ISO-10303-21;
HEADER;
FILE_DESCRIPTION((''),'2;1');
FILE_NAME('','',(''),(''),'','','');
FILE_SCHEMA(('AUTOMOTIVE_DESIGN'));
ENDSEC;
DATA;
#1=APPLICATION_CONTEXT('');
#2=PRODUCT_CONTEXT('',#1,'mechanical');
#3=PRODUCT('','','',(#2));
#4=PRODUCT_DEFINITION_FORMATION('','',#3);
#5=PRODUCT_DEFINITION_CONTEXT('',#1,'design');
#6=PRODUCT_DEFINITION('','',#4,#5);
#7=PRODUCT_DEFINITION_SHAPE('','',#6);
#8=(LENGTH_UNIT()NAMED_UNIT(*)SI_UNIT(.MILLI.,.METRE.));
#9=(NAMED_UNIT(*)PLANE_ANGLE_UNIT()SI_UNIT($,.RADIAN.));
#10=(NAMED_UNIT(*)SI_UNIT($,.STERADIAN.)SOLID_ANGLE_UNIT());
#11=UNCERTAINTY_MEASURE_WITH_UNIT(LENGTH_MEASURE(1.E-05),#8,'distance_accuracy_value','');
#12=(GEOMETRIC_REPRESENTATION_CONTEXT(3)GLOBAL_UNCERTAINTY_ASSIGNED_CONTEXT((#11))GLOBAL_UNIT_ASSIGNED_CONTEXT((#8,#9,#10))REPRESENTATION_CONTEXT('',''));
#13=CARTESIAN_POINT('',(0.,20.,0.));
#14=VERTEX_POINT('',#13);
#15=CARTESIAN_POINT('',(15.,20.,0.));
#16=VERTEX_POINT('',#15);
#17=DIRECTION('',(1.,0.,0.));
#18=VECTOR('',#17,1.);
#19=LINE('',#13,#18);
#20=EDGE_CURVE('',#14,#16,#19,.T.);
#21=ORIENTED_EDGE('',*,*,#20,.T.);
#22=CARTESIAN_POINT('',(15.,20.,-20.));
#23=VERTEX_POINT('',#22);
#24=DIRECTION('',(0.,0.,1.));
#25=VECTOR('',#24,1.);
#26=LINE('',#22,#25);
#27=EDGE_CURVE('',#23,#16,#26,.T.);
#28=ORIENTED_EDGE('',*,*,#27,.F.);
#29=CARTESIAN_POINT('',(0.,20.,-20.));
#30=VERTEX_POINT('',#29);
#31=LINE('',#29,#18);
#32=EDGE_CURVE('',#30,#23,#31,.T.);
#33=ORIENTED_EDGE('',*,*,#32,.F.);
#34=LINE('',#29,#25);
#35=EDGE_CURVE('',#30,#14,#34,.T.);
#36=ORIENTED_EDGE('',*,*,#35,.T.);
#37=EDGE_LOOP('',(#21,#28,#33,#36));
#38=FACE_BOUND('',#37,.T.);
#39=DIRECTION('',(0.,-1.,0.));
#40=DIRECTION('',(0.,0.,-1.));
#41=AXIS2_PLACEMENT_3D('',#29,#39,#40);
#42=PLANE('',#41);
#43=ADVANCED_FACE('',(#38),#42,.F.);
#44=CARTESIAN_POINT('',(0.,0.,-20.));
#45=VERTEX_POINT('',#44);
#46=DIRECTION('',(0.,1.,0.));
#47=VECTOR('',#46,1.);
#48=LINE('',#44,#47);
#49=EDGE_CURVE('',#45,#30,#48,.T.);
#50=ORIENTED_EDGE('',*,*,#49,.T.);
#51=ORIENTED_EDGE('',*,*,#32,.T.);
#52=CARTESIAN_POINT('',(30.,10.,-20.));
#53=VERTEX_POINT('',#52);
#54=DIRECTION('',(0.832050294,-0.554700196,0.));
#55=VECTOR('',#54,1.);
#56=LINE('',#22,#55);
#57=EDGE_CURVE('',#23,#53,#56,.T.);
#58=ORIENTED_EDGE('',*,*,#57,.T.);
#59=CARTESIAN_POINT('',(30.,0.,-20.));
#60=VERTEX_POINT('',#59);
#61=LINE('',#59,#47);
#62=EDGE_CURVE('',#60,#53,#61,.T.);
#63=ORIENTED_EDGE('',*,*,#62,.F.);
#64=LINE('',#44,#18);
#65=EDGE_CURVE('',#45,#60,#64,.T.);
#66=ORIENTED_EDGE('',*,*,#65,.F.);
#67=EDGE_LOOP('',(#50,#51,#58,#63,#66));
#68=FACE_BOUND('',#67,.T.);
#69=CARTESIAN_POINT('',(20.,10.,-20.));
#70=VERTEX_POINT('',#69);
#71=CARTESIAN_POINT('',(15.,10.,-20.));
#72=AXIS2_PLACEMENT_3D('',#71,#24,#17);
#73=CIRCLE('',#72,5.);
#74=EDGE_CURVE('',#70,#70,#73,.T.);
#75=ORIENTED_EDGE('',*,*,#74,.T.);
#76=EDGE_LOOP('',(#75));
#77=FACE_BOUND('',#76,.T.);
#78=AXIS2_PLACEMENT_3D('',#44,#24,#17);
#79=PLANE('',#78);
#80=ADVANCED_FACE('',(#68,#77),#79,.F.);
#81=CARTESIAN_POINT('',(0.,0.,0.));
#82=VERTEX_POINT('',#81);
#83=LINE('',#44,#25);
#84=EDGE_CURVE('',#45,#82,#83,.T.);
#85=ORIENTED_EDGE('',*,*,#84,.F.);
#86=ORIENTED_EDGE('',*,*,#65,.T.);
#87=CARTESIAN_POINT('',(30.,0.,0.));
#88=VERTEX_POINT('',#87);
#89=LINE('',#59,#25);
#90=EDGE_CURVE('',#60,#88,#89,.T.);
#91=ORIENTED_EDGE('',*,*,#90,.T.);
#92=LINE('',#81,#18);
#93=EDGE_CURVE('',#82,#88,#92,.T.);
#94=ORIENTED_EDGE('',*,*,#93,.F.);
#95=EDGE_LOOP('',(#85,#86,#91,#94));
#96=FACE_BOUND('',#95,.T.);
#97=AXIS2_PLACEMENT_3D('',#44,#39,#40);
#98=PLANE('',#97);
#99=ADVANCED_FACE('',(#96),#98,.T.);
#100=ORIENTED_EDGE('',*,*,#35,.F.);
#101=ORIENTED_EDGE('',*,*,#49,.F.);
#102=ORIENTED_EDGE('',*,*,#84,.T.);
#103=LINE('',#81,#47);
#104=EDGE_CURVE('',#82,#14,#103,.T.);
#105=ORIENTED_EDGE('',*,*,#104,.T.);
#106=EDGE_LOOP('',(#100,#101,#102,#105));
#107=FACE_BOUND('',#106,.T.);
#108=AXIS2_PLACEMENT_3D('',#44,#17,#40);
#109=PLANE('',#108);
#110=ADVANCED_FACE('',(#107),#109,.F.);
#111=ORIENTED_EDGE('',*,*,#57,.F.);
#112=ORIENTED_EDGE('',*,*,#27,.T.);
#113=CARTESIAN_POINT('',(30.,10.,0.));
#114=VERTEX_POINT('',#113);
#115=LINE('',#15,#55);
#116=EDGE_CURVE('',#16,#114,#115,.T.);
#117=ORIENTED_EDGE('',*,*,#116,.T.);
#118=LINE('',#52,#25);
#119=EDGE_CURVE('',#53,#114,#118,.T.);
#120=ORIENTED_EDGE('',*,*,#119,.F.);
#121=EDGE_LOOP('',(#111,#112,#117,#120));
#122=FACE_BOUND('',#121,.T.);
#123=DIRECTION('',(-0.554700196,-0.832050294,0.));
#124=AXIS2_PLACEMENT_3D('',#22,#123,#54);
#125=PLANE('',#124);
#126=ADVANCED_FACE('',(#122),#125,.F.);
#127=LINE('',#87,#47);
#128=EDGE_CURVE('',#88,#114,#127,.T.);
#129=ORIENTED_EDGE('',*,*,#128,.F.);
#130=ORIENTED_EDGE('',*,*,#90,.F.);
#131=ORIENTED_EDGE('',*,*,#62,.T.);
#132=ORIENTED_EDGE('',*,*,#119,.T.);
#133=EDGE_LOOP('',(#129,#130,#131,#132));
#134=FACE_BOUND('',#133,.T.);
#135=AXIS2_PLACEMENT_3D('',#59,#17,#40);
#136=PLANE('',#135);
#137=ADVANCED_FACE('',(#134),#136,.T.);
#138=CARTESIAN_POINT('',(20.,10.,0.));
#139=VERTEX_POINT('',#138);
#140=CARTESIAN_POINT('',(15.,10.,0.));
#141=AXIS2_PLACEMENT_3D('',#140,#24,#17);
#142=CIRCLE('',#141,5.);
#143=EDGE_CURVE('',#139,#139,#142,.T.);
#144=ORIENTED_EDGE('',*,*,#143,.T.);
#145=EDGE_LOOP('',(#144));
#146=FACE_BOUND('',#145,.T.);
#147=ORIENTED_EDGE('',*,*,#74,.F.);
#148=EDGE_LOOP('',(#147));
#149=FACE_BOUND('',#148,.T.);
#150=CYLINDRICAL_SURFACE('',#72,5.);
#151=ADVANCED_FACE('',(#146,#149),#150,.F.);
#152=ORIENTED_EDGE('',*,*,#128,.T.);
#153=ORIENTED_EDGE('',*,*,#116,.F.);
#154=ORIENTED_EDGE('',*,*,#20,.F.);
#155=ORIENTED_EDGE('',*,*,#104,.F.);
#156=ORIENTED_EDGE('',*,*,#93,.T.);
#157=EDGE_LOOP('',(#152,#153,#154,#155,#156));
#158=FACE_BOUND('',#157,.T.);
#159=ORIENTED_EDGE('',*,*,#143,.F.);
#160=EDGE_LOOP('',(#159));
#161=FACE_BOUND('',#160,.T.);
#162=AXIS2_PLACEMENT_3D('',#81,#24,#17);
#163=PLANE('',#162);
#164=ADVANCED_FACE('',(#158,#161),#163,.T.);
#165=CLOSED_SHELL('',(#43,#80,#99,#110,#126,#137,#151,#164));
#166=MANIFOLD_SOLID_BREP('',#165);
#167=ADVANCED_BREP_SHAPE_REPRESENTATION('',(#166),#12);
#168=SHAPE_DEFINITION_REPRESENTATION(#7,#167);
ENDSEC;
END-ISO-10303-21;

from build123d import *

# Parameters (mm, degrees)
BOSS_EXTRUDE1_DEPTH = 20
SKETCH7_R           = 5
CUT_EXTRUDE1_DEPTH  = 20


with BuildPart() as part:
    # Sketch2 → Boss-Extrude1 (new body)
    with BuildSketch(Plane.XY):
        Polygon((0, 0), (30, 0), (30, 10), (15, 20), (0, 20), align=None)
    extrude(amount=-BOSS_EXTRUDE1_DEPTH)

    # Sketch7 → Cut-Extrude1 (cut)
    with BuildSketch(Plane.XY):
        with Locations((15, 10)):
            Circle(SKETCH7_R)
    extrude(amount=-CUT_EXTRUDE1_DEPTH, mode=Mode.SUBTRACT)


solid = part.part
